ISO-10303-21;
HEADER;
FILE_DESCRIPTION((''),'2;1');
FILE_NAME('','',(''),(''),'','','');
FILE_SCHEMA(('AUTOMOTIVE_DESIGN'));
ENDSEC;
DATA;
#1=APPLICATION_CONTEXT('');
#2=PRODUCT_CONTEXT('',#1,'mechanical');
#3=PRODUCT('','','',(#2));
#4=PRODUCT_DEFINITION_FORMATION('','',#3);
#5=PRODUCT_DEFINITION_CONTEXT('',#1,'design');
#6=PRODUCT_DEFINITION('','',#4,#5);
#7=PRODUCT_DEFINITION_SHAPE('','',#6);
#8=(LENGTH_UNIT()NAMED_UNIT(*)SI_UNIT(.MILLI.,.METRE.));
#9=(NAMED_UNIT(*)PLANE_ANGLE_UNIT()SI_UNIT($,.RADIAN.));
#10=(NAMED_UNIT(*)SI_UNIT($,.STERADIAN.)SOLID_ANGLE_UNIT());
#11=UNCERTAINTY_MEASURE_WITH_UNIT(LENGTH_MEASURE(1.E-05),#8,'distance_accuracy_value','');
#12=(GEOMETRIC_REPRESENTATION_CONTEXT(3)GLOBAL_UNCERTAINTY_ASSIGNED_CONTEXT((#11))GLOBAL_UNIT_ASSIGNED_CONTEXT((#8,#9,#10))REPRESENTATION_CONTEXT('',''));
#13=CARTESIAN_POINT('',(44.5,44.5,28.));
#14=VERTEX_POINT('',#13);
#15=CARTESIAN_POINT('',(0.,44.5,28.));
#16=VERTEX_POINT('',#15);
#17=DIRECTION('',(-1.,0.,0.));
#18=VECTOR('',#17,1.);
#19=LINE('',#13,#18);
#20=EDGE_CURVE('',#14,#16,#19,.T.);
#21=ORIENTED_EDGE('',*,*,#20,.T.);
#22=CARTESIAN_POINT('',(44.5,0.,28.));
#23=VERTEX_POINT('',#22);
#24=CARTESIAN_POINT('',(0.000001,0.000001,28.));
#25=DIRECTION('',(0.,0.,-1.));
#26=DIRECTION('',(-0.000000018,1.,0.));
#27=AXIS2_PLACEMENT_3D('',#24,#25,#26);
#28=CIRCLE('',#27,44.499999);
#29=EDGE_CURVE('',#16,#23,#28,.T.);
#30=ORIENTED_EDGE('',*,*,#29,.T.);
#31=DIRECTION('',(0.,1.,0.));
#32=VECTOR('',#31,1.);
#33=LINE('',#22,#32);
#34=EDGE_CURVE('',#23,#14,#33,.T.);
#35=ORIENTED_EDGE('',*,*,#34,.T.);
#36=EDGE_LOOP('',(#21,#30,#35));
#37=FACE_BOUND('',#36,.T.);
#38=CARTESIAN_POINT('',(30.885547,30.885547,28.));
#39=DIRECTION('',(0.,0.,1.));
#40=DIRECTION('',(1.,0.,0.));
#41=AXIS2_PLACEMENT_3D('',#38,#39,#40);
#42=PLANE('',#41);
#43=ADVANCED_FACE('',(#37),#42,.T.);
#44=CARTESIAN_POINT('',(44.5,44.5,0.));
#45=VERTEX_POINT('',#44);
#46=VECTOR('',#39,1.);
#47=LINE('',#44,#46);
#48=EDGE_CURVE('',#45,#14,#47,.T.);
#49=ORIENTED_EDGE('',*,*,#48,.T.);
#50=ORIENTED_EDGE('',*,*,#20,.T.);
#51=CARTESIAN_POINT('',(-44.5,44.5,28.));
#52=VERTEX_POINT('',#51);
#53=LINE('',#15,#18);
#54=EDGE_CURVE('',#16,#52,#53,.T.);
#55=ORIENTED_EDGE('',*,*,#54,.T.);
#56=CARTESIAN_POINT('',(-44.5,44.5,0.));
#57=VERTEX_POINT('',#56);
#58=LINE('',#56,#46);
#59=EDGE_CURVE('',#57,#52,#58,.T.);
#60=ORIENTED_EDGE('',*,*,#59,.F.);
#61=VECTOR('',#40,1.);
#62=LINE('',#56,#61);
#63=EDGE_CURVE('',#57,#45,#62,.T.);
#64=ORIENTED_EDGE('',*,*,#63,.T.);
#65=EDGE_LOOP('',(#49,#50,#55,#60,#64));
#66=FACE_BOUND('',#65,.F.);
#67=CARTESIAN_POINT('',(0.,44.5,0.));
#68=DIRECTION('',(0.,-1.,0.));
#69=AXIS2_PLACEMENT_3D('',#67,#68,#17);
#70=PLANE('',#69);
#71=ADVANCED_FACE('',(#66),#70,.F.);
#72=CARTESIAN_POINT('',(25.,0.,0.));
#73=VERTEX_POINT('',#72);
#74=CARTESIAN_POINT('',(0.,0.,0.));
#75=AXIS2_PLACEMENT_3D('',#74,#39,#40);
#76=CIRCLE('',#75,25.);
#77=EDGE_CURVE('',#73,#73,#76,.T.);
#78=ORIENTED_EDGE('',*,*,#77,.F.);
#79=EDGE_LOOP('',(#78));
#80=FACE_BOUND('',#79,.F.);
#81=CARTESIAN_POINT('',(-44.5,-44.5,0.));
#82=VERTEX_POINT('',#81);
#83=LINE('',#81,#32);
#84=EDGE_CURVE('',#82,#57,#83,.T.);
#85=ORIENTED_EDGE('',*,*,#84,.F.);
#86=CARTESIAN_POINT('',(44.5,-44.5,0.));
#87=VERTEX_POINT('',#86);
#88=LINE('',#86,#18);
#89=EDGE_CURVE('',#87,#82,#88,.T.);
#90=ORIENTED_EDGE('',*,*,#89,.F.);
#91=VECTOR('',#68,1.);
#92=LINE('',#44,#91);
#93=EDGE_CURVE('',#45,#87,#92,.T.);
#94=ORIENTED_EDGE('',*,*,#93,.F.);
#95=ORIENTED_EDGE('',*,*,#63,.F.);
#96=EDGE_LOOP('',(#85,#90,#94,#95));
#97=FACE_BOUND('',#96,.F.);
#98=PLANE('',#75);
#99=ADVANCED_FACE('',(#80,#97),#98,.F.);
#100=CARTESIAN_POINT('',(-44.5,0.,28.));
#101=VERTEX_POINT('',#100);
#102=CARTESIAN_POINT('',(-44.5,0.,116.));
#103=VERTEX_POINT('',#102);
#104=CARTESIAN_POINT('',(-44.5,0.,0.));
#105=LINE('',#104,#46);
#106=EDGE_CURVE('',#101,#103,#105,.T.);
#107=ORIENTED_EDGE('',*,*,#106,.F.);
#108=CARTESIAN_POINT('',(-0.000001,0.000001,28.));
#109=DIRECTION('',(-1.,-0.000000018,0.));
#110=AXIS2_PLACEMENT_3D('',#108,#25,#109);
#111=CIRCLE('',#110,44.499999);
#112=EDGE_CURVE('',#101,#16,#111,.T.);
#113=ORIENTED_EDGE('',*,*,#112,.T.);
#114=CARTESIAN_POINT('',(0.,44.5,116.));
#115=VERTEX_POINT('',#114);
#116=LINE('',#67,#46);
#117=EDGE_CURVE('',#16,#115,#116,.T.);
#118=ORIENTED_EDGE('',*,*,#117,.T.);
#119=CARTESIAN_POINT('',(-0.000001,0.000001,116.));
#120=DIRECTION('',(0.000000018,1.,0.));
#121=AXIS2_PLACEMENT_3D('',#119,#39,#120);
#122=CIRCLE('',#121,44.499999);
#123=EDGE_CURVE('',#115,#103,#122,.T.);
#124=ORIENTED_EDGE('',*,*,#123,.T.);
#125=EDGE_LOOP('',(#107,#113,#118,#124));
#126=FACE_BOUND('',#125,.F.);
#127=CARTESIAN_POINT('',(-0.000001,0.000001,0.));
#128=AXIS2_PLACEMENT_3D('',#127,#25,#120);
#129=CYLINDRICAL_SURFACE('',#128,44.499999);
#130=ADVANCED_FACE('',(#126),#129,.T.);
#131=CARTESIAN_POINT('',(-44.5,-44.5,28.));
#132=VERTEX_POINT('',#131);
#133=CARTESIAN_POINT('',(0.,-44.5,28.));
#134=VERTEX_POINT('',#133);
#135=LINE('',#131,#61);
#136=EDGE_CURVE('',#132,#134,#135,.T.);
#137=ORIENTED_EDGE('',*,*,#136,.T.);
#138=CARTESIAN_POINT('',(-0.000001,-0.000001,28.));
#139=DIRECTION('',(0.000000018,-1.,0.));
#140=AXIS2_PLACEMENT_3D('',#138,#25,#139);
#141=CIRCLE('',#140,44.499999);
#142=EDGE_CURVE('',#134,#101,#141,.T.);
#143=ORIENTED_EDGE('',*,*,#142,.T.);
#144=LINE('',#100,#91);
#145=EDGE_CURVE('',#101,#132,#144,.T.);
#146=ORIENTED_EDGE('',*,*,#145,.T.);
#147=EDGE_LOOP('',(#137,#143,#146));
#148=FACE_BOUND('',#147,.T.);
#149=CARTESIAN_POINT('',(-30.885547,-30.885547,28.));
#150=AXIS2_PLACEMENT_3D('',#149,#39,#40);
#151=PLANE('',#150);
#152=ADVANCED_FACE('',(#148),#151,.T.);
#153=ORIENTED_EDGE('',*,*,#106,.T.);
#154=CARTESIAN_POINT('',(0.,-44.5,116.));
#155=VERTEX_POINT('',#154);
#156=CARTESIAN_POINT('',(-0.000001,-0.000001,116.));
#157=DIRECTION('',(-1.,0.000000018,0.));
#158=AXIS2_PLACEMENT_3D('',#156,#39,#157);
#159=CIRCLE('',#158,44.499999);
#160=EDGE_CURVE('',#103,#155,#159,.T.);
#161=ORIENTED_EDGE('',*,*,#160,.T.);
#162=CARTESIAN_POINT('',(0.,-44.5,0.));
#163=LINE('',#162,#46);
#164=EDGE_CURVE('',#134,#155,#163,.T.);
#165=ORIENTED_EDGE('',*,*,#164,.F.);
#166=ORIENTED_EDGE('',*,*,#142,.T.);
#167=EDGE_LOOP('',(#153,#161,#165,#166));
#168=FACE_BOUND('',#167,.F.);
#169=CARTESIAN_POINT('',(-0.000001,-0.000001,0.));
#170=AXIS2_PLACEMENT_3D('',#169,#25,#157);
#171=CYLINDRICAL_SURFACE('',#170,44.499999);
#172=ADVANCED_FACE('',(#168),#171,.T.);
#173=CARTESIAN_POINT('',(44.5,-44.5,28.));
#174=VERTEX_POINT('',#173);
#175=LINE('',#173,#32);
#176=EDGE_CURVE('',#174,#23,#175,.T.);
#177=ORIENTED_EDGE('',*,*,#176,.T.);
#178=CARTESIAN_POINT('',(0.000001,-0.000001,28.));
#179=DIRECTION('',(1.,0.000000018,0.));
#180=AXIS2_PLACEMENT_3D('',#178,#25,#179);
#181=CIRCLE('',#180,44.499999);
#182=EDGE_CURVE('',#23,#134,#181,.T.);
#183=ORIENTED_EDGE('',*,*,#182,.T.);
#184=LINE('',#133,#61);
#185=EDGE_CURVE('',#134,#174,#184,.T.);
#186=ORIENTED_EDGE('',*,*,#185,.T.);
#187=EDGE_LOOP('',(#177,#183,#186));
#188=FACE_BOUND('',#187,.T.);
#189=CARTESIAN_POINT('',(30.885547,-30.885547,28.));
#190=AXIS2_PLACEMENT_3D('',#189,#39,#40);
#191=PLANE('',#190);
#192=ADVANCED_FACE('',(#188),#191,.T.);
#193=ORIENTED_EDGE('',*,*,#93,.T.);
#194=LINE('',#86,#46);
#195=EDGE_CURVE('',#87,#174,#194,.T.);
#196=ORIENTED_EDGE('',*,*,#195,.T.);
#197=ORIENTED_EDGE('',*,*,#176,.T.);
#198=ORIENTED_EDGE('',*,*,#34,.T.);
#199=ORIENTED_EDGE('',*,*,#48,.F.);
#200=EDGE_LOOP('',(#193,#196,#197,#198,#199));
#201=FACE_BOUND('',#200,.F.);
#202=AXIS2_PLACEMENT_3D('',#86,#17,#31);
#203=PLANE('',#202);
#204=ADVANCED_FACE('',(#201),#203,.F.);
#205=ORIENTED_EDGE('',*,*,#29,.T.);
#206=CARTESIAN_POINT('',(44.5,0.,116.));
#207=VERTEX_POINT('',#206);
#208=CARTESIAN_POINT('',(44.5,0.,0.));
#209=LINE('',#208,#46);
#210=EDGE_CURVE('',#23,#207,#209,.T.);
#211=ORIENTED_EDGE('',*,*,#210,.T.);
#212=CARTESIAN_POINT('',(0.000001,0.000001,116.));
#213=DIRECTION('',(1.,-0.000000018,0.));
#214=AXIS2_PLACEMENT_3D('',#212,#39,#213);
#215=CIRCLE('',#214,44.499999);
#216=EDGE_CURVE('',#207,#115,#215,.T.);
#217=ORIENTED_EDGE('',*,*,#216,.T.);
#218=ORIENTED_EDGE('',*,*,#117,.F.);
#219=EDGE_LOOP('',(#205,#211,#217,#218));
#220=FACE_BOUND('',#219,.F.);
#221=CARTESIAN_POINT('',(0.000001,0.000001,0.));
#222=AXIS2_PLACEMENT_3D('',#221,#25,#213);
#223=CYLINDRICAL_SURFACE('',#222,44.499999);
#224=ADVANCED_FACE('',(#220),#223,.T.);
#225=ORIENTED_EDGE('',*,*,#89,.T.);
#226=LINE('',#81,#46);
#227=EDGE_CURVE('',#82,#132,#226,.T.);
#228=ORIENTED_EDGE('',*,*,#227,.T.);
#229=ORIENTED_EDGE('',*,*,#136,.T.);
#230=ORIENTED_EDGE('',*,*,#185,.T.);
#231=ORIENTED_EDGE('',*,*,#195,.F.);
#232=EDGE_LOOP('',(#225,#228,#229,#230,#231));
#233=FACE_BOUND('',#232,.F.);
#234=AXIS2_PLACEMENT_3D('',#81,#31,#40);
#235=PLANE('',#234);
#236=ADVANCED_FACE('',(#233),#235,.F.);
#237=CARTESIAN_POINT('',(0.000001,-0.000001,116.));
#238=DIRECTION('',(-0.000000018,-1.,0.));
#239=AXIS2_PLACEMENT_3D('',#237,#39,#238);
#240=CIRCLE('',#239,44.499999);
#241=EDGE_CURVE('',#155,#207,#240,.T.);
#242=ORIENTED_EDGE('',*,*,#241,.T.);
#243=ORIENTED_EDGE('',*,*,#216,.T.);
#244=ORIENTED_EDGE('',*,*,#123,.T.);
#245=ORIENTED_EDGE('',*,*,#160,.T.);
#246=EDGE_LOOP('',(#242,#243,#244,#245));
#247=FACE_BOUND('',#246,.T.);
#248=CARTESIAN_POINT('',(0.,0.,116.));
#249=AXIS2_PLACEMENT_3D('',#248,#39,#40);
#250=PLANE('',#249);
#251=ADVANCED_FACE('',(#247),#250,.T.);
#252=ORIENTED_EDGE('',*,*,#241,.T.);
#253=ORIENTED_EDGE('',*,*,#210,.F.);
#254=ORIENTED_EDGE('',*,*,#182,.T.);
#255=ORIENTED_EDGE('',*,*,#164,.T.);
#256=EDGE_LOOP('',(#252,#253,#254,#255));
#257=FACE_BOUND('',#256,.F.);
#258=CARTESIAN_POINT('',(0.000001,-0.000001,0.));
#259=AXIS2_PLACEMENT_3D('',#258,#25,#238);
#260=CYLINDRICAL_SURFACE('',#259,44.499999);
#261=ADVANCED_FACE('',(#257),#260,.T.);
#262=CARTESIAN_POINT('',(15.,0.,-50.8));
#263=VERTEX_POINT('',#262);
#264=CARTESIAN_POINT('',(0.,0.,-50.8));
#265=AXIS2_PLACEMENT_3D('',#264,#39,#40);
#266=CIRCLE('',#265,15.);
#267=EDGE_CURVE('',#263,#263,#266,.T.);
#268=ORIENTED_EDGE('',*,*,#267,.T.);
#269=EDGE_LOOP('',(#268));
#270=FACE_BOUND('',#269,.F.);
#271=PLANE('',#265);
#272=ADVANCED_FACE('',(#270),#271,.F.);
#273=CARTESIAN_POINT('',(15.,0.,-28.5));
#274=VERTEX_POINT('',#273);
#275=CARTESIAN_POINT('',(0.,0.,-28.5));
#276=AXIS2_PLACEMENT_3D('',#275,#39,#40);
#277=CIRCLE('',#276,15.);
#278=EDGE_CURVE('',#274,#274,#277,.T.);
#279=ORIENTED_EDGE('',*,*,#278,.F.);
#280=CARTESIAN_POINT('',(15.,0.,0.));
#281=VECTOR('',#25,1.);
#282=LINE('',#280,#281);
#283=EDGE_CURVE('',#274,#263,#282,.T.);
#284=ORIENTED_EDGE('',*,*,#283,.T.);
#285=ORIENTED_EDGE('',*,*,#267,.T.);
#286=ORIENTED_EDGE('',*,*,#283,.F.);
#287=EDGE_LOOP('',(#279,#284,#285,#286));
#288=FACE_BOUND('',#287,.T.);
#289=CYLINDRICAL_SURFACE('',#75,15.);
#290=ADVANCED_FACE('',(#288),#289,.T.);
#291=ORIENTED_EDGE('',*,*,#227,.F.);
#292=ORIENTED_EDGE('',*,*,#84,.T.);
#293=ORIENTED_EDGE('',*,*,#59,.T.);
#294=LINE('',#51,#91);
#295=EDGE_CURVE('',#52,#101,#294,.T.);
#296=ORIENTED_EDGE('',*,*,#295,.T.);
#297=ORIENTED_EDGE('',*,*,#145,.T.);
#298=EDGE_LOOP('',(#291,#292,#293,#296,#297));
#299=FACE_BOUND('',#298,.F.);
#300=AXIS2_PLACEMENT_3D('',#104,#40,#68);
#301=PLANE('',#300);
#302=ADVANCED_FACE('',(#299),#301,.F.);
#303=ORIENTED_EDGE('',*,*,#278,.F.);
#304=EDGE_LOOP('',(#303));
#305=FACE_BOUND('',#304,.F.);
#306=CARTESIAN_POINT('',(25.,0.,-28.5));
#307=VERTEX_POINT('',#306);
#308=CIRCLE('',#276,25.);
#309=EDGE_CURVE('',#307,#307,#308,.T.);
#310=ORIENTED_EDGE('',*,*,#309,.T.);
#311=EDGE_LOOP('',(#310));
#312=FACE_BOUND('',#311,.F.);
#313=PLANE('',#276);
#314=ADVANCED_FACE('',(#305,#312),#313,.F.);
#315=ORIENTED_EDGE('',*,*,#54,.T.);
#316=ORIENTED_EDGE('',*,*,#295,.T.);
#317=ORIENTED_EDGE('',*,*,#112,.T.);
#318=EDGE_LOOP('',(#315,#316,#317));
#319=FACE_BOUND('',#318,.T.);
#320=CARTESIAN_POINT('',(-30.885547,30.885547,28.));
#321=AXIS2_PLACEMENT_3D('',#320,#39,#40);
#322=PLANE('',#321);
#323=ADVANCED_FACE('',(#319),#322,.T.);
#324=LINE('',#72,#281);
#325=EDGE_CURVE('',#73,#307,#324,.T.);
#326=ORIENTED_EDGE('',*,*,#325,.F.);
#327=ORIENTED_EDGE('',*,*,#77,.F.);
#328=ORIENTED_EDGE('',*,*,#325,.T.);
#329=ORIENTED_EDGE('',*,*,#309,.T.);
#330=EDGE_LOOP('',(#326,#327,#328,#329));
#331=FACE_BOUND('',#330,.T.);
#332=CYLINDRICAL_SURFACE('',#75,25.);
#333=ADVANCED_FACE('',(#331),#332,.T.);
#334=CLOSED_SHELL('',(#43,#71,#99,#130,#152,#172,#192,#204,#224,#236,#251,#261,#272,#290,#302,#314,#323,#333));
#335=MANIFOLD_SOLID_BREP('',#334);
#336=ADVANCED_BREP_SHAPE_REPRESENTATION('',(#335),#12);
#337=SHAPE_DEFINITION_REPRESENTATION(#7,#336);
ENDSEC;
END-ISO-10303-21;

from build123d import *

# Parameters (mm, degrees)
F0_R     = 25
F0_R_2   = 15
F1_DEPTH = 28
F2_DEPTH = 116
F3_DEPTH = 28.5
F4_DEPTH = 50.8


with BuildPart() as f1:
    # F0 (on Top) → F1 (new body)
    with BuildSketch(Plane.XY):
        with BuildLine():
            Line((0, -44.5), (44.5, -44.5))
            Line((44.5, -44.5), (44.5, 0))
            ThreePointArc((44.5, 0), (31.466252, -31.466252), (0, -44.5))
        make_face()
        with BuildLine():
            Line((-44.5, -44.5), (0, -44.5))
            ThreePointArc((0, -44.5), (-31.466252, -31.466252), (-44.5, 0))
            Line((-44.5, 0), (-44.5, -44.5))
        make_face()
        with BuildLine():
            ThreePointArc((0, 44.5), (31.466252, 31.466252), (44.5, 0))
            Line((44.5, 0), (44.5, 44.5))
            Line((44.5, 44.5), (0, 44.5))
        make_face()
        with BuildLine():
            Line((-44.5, 44.5), (-44.5, 0))
            ThreePointArc((-44.5, 0), (-31.466252, 31.466252), (0, 44.5))
            Line((0, 44.5), (-44.5, 44.5))
        make_face()
        Circle(F0_R)
        Circle(F0_R_2, mode=Mode.SUBTRACT)
    extrude(amount=F1_DEPTH)

    # F0 (on Top) → F2 (join)
    with BuildSketch(Plane.XY):
        with BuildLine():
            ThreePointArc((-44.5, 0), (-31.466252, -31.466252), (0, -44.5))
            ThreePointArc((0, -44.5), (31.466252, -31.466252), (44.5, 0))
            ThreePointArc((44.5, 0), (31.466252, 31.466252), (0, 44.5))
            ThreePointArc((0, 44.5), (-31.466252, 31.466252), (-44.5, 0))
        make_face()
        Circle(F0_R, mode=Mode.SUBTRACT)
        Circle(F0_R)
        Circle(F0_R_2, mode=Mode.SUBTRACT)
        Circle(F0_R_2)
    extrude(amount=F2_DEPTH)

    # F0 (on Top) → F3 (join)
    with BuildSketch(Plane.XY):
        Circle(F0_R)
        Circle(F0_R_2, mode=Mode.SUBTRACT)
    extrude(amount=-F3_DEPTH)

    # F0 (on Top) → F4 (join)
    with BuildSketch(Plane.XY):
        Circle(F0_R_2)
    extrude(amount=-F4_DEPTH)


solid = f1.part
